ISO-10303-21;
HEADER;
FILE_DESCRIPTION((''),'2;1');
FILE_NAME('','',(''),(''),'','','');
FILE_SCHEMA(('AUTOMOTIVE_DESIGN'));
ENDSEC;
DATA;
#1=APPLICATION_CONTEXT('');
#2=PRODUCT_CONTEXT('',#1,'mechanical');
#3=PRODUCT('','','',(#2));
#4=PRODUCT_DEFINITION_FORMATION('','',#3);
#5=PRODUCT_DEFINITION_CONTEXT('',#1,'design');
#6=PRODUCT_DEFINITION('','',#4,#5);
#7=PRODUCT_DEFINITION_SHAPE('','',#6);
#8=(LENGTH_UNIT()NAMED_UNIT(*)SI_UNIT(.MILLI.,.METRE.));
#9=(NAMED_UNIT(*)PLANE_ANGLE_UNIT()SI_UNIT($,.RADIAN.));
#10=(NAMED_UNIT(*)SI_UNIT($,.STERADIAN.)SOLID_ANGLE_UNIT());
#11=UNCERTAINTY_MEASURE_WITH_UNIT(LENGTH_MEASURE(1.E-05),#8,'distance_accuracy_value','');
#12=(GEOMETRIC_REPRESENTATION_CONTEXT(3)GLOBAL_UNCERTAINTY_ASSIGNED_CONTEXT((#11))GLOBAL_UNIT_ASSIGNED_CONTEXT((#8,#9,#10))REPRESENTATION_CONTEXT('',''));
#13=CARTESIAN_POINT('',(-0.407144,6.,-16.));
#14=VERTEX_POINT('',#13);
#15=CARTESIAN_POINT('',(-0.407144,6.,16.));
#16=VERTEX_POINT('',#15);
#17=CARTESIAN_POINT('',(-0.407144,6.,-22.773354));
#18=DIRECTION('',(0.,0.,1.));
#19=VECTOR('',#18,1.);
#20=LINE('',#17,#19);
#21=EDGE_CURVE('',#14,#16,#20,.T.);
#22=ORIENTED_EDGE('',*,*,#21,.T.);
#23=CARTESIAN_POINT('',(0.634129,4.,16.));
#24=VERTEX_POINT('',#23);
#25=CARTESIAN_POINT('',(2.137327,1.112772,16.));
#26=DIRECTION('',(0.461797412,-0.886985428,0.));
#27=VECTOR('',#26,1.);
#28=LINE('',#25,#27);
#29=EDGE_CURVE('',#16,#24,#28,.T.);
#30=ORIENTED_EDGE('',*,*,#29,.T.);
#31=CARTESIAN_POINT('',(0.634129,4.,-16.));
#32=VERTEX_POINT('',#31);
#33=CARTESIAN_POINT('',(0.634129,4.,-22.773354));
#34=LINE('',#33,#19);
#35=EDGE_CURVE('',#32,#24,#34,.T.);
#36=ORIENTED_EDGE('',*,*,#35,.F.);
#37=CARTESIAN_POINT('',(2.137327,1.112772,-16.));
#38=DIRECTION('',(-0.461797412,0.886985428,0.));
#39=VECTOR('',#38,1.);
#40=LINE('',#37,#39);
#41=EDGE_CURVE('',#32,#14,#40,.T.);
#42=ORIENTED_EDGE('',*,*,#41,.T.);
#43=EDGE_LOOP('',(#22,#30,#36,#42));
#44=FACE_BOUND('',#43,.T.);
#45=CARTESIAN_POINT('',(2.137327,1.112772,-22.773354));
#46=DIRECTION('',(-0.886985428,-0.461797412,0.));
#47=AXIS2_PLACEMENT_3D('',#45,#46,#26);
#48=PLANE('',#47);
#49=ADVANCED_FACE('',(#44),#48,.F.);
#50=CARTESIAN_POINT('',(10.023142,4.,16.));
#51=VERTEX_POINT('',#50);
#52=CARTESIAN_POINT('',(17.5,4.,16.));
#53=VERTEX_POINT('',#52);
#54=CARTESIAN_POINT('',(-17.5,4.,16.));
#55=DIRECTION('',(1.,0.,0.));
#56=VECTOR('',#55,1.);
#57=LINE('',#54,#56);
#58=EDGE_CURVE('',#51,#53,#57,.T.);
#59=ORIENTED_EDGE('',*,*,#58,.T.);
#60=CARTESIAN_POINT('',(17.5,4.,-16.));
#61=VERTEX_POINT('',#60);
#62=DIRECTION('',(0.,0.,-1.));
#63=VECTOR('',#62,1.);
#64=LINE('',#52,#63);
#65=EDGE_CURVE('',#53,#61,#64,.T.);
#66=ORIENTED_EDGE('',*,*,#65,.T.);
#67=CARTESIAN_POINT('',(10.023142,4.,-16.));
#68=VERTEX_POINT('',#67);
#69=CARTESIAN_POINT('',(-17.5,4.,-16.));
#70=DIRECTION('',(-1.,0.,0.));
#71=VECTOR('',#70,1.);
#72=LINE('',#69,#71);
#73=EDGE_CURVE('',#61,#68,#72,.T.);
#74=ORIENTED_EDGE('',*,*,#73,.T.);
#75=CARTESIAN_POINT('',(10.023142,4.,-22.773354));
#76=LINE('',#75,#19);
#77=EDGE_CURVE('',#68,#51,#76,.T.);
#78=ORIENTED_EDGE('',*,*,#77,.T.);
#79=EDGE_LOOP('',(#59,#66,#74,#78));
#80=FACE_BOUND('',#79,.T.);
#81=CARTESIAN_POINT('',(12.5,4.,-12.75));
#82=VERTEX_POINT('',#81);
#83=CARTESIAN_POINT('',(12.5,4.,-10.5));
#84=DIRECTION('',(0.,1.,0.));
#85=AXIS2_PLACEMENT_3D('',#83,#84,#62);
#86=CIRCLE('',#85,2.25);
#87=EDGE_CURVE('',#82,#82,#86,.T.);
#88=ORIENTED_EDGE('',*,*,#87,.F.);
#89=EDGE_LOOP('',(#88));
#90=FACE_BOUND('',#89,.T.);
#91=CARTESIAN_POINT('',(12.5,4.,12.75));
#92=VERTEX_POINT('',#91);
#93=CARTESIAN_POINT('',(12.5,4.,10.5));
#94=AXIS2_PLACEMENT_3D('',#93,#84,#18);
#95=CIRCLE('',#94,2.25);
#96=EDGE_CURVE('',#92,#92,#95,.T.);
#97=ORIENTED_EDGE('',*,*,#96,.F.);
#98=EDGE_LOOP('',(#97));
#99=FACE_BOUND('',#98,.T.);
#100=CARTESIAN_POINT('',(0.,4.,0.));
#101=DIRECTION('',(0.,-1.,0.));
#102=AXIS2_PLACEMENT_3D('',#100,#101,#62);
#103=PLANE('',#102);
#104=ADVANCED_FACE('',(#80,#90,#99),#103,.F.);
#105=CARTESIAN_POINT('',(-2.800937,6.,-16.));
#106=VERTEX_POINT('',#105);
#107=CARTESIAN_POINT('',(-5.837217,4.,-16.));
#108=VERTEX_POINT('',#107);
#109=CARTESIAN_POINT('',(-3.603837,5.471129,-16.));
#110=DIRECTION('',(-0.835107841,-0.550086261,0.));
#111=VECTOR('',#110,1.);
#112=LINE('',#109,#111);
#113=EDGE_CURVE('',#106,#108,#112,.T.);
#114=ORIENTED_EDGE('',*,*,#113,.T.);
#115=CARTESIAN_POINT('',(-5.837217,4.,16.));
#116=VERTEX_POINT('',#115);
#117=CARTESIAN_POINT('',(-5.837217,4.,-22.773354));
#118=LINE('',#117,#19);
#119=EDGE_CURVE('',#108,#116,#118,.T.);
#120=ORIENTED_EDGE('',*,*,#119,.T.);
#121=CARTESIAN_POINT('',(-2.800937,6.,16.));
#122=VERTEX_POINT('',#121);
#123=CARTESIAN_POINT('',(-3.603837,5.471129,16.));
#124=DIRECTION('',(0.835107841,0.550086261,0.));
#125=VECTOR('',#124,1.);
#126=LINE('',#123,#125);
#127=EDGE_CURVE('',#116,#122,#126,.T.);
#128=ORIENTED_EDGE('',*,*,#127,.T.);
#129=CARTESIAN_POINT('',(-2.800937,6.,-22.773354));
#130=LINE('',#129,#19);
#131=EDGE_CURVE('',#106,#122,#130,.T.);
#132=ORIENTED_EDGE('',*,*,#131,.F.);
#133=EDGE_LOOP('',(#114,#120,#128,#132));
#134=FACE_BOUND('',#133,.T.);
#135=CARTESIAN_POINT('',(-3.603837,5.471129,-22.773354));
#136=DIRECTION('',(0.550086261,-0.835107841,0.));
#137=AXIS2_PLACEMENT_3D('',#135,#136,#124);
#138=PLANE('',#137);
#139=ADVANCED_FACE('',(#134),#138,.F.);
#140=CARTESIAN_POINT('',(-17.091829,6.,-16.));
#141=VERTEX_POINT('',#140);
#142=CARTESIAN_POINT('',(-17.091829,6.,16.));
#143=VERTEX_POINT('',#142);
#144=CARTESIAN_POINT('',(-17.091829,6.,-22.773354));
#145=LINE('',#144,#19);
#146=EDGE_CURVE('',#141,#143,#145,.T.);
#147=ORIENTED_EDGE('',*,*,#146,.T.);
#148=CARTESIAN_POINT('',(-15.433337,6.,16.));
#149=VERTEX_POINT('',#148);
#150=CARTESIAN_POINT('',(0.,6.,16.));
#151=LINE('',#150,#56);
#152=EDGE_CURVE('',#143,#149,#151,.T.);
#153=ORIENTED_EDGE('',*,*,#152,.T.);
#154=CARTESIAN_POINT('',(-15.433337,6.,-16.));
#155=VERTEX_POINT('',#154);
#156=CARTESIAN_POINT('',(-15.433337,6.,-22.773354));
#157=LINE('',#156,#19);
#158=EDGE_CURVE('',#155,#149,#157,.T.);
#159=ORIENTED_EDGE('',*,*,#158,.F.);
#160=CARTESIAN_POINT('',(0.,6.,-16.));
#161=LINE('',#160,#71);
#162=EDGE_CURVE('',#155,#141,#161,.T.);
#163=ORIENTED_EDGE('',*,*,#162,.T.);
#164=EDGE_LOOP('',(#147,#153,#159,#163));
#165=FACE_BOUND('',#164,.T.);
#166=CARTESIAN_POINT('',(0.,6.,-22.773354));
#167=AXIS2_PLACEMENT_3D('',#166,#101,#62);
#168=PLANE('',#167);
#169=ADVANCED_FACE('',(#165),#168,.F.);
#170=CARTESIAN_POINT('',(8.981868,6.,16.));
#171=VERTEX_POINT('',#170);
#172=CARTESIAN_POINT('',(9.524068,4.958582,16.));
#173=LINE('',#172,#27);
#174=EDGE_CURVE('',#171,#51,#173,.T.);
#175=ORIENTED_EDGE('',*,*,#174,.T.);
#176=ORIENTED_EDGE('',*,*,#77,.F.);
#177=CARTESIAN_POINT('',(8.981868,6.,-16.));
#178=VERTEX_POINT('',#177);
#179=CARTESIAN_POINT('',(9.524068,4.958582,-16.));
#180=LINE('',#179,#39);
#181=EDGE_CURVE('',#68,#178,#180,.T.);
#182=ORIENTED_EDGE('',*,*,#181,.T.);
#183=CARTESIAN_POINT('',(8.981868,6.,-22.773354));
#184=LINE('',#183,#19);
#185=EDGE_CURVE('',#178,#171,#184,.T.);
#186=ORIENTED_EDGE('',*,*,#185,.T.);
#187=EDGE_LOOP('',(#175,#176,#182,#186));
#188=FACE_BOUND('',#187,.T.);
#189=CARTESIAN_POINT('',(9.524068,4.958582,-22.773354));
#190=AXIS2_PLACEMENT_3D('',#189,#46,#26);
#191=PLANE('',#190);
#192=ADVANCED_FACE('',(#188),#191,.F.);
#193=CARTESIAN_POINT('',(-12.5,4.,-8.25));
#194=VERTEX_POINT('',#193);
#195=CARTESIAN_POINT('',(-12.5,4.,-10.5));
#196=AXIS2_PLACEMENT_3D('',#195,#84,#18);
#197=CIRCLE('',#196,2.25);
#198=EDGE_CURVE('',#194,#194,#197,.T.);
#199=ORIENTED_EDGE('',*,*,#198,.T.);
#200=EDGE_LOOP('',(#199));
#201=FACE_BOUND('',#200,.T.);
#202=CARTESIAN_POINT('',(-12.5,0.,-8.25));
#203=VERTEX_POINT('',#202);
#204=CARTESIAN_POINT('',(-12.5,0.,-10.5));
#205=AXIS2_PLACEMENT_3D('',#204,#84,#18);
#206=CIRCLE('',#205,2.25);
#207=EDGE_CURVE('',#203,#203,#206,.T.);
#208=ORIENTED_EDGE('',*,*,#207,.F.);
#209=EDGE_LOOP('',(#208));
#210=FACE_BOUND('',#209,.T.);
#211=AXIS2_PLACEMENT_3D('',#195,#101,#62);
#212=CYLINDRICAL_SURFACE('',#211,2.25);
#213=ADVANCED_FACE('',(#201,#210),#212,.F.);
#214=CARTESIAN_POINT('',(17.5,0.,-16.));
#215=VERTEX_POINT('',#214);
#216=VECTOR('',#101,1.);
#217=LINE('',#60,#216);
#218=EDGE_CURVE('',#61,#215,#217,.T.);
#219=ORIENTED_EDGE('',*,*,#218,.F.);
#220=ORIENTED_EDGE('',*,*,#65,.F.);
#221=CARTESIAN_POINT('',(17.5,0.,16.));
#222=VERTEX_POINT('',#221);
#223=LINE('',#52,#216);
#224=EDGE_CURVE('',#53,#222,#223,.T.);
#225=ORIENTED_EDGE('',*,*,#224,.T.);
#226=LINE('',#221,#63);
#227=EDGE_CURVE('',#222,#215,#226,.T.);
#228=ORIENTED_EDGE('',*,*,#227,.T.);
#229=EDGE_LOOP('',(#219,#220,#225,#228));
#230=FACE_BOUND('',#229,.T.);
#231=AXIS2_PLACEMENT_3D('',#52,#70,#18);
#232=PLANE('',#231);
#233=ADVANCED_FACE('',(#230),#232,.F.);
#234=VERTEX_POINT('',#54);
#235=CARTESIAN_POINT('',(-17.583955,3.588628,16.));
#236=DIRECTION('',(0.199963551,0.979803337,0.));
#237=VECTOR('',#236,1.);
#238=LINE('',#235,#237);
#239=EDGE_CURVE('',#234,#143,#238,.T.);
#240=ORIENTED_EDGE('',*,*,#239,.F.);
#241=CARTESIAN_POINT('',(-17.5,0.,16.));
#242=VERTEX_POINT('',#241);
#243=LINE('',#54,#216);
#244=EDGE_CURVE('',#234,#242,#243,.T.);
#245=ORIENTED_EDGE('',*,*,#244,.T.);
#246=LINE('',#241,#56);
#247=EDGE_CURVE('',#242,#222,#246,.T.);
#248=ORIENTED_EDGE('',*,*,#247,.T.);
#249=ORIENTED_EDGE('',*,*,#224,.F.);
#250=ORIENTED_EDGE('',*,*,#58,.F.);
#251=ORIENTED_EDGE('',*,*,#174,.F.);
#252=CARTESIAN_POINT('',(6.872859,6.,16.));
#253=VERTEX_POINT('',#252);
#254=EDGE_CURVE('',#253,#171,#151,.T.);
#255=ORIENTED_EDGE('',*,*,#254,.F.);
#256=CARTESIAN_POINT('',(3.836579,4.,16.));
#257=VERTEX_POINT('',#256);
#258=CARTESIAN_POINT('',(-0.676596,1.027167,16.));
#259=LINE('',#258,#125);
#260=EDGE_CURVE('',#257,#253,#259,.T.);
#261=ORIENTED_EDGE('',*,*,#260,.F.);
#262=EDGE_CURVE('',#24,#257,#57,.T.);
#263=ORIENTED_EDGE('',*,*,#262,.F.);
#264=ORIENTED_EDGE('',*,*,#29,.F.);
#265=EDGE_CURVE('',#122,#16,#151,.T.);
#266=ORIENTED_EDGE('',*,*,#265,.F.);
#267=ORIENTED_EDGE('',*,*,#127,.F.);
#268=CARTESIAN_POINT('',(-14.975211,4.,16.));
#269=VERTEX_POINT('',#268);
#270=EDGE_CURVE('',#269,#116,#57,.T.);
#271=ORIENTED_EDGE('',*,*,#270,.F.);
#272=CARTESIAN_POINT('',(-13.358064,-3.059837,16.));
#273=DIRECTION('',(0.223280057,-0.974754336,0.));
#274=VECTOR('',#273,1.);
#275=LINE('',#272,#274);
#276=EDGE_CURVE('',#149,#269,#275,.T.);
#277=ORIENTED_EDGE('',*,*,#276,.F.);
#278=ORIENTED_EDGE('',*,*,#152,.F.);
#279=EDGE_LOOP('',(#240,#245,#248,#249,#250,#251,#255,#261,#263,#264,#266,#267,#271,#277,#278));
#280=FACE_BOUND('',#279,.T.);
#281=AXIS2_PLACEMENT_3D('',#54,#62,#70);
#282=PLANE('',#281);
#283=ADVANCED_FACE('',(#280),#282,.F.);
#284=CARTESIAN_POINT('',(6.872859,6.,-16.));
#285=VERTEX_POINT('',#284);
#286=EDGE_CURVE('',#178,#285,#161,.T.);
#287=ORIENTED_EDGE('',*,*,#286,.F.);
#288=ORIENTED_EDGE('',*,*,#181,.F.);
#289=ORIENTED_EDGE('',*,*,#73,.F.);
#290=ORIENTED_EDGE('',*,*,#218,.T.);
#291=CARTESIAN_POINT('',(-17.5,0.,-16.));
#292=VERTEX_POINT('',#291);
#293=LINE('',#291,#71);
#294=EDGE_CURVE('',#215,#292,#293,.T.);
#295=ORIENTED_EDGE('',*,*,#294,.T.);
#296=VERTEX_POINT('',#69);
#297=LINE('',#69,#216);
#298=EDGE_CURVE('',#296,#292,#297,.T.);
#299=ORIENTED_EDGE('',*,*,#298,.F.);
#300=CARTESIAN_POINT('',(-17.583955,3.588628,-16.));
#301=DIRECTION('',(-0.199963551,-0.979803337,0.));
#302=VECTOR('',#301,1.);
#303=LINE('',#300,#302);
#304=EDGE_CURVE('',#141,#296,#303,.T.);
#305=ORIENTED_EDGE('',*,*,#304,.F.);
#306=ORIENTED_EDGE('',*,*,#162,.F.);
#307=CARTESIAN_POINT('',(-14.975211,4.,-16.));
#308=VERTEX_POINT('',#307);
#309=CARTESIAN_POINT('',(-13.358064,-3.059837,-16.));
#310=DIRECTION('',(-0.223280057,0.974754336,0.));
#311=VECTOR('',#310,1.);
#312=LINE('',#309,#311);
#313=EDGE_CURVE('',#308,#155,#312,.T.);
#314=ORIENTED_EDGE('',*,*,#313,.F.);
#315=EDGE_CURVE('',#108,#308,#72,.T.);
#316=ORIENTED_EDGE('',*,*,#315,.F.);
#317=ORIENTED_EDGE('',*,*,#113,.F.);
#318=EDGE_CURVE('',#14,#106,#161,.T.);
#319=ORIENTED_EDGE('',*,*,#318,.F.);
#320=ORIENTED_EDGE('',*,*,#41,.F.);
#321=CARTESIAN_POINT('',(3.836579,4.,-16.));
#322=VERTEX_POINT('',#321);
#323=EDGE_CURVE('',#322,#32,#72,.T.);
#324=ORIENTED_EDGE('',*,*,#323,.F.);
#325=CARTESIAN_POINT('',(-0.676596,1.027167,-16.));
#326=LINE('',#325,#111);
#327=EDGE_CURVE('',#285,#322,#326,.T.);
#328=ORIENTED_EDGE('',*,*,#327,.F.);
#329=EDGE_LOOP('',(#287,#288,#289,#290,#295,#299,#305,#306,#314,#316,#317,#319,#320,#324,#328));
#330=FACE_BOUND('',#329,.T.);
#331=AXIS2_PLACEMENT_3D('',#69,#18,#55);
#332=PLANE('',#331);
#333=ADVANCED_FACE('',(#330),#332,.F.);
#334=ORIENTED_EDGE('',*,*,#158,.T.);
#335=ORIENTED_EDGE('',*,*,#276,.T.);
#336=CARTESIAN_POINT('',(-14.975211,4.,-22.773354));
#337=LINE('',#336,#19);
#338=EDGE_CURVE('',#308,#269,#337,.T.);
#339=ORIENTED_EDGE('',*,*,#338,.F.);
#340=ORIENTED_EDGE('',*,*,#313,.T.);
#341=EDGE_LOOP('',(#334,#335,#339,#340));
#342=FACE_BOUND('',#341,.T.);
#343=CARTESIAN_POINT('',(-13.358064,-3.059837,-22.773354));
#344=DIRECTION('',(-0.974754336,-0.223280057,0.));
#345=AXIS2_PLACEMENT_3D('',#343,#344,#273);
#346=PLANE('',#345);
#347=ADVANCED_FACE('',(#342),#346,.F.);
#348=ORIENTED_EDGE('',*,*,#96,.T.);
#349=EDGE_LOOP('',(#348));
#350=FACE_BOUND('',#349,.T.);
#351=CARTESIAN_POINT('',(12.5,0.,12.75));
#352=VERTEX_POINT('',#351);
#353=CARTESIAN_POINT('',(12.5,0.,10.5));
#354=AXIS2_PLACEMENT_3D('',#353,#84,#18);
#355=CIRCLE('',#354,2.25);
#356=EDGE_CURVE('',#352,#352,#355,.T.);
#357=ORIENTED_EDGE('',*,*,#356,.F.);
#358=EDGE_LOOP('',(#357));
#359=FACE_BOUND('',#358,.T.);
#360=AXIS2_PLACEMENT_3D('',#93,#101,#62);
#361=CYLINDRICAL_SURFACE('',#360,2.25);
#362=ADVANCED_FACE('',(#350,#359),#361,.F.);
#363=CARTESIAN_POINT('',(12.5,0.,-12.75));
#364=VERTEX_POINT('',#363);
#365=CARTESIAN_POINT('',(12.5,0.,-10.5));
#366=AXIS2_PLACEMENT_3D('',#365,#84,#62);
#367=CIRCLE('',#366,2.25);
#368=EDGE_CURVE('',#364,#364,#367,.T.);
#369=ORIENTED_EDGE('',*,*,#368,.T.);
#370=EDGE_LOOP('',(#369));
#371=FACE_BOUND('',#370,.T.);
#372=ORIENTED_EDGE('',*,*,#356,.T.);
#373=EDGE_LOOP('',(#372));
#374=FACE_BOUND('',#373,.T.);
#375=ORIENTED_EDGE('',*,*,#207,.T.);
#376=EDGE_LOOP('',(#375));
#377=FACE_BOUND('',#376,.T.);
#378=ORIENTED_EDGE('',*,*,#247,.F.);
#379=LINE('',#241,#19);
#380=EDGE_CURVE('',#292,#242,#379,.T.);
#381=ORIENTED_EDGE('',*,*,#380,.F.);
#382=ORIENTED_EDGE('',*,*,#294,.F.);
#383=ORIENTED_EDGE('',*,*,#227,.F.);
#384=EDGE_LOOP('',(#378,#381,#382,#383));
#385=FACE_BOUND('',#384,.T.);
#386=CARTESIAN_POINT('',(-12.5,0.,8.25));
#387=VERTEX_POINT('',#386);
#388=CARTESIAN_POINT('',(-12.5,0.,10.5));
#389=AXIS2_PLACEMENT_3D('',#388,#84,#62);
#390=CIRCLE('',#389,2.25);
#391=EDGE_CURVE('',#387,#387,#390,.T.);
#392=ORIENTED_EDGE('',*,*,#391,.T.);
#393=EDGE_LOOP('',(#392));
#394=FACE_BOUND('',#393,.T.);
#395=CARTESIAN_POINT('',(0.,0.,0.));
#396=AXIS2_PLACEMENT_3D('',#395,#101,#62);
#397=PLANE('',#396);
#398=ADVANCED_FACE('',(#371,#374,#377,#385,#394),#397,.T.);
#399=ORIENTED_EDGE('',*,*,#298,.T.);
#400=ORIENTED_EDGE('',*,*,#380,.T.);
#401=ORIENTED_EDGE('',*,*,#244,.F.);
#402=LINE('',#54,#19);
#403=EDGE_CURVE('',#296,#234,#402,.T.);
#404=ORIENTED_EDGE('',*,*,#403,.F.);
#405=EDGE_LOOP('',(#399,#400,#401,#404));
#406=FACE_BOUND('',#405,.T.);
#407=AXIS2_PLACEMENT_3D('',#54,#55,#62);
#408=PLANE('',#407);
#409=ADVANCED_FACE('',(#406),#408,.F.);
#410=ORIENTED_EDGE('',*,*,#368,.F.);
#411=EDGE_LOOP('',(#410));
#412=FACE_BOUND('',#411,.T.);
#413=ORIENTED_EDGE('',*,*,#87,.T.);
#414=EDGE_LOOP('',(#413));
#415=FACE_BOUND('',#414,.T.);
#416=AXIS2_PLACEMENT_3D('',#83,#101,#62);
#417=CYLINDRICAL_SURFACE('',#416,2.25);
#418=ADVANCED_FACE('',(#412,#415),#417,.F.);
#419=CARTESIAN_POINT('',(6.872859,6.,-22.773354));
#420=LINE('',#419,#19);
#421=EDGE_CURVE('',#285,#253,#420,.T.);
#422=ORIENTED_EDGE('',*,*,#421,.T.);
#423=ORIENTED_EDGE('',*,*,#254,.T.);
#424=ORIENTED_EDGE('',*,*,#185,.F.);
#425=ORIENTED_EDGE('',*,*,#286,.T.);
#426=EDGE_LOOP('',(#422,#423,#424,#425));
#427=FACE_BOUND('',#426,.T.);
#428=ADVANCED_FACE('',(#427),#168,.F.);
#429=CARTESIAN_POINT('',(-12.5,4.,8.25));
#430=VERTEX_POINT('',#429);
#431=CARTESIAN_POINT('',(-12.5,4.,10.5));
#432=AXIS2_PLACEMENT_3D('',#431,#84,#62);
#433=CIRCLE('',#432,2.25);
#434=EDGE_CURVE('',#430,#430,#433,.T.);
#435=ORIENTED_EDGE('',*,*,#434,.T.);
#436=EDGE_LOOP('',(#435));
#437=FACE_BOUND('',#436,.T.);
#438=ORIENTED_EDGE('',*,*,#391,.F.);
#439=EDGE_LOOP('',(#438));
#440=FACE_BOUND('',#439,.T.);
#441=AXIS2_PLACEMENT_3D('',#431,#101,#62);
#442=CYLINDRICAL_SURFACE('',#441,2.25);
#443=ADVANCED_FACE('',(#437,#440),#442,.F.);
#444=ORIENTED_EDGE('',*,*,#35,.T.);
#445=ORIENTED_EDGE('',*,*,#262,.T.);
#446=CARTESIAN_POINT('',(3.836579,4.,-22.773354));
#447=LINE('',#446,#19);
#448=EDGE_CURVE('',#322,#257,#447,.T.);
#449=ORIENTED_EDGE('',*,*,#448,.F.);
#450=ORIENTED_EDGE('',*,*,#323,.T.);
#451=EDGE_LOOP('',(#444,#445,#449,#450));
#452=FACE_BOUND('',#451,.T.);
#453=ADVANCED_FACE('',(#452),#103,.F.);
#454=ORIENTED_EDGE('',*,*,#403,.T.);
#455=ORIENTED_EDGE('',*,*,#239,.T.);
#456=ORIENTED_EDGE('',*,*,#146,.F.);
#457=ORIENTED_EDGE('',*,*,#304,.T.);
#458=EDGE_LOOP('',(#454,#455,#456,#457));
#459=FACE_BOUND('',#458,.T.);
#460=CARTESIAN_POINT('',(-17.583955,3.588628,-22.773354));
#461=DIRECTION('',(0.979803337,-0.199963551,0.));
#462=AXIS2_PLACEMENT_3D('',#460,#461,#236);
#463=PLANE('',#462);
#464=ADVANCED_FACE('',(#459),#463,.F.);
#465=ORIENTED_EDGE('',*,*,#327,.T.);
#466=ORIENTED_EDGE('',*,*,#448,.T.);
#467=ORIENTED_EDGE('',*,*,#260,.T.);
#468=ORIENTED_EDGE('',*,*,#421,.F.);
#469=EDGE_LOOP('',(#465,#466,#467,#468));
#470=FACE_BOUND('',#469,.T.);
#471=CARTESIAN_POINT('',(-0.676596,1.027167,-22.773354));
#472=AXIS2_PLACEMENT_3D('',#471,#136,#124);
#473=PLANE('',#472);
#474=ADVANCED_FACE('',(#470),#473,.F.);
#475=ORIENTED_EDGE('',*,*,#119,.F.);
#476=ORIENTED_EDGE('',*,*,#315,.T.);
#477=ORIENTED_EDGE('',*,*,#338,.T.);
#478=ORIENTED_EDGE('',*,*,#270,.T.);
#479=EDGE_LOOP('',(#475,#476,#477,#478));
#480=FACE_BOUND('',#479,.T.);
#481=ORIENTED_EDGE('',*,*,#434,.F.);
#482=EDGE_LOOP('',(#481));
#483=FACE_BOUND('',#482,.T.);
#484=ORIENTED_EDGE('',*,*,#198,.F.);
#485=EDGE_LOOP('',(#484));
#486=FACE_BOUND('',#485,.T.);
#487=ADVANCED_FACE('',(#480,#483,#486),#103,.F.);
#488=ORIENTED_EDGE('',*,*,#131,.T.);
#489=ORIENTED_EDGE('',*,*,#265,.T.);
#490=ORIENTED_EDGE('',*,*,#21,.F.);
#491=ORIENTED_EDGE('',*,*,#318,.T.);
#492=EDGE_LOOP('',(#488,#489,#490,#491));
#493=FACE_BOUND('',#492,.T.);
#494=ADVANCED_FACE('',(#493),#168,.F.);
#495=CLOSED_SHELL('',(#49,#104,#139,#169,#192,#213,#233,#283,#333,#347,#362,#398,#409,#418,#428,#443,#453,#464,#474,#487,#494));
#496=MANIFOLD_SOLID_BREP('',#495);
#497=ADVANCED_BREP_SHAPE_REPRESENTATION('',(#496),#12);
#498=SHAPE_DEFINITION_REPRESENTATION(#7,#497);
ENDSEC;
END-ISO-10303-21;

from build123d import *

# Parameters (mm, degrees)
SKETCH_1_W      = 35
SKETCH_1_H      = 32
SKETCH_1_R      = 2.25
EXTRUDE_1_DEPTH = 4
EXTRUDE_2_DEPTH = 32


with BuildPart() as part:
    # 草图1 → 凸台-拉伸1 (new body)
    with BuildSketch(Plane(origin=(0, 0, 0), x_dir=(1, 0, 0), z_dir=(0, 1, 0))):
        Rectangle(SKETCH_1_W, SKETCH_1_H)
        with Locations(Location((-12.5, 10.5, 0), (0, 0, 270))):
            Circle(SKETCH_1_R, mode=Mode.SUBTRACT)
        with Locations(Location((-12.5, -10.5, 0), (0, 0, 90))):
            Circle(SKETCH_1_R, mode=Mode.SUBTRACT)
        with Locations(Location((12.5, -10.5, 0), (0, 0, 270))):
            Circle(SKETCH_1_R, mode=Mode.SUBTRACT)
        with Locations(Location((12.5, 10.5, 0), (0, 0, 90))):
            Circle(SKETCH_1_R, mode=Mode.SUBTRACT)
    extrude(amount=EXTRUDE_1_DEPTH)

    # 草图3 → 凸台-拉伸2 (add)
    with BuildSketch(Plane.XY.offset(16)):
        Polygon((6.872858809, 6), (3.83657923, 4), (10.023141572, 4), (8.981867617, 6), align=None)
        Polygon((-2.800937358, 6), (-5.837216937, 4), (0.634129455, 4), (-0.4071445, 6), align=None)
        Polygon((-17.09182921, 6), (-17.5, 4), (-14.975210984, 4), (-15.433336788, 6), align=None)
    extrude(amount=-EXTRUDE_2_DEPTH)


solid = part.part
